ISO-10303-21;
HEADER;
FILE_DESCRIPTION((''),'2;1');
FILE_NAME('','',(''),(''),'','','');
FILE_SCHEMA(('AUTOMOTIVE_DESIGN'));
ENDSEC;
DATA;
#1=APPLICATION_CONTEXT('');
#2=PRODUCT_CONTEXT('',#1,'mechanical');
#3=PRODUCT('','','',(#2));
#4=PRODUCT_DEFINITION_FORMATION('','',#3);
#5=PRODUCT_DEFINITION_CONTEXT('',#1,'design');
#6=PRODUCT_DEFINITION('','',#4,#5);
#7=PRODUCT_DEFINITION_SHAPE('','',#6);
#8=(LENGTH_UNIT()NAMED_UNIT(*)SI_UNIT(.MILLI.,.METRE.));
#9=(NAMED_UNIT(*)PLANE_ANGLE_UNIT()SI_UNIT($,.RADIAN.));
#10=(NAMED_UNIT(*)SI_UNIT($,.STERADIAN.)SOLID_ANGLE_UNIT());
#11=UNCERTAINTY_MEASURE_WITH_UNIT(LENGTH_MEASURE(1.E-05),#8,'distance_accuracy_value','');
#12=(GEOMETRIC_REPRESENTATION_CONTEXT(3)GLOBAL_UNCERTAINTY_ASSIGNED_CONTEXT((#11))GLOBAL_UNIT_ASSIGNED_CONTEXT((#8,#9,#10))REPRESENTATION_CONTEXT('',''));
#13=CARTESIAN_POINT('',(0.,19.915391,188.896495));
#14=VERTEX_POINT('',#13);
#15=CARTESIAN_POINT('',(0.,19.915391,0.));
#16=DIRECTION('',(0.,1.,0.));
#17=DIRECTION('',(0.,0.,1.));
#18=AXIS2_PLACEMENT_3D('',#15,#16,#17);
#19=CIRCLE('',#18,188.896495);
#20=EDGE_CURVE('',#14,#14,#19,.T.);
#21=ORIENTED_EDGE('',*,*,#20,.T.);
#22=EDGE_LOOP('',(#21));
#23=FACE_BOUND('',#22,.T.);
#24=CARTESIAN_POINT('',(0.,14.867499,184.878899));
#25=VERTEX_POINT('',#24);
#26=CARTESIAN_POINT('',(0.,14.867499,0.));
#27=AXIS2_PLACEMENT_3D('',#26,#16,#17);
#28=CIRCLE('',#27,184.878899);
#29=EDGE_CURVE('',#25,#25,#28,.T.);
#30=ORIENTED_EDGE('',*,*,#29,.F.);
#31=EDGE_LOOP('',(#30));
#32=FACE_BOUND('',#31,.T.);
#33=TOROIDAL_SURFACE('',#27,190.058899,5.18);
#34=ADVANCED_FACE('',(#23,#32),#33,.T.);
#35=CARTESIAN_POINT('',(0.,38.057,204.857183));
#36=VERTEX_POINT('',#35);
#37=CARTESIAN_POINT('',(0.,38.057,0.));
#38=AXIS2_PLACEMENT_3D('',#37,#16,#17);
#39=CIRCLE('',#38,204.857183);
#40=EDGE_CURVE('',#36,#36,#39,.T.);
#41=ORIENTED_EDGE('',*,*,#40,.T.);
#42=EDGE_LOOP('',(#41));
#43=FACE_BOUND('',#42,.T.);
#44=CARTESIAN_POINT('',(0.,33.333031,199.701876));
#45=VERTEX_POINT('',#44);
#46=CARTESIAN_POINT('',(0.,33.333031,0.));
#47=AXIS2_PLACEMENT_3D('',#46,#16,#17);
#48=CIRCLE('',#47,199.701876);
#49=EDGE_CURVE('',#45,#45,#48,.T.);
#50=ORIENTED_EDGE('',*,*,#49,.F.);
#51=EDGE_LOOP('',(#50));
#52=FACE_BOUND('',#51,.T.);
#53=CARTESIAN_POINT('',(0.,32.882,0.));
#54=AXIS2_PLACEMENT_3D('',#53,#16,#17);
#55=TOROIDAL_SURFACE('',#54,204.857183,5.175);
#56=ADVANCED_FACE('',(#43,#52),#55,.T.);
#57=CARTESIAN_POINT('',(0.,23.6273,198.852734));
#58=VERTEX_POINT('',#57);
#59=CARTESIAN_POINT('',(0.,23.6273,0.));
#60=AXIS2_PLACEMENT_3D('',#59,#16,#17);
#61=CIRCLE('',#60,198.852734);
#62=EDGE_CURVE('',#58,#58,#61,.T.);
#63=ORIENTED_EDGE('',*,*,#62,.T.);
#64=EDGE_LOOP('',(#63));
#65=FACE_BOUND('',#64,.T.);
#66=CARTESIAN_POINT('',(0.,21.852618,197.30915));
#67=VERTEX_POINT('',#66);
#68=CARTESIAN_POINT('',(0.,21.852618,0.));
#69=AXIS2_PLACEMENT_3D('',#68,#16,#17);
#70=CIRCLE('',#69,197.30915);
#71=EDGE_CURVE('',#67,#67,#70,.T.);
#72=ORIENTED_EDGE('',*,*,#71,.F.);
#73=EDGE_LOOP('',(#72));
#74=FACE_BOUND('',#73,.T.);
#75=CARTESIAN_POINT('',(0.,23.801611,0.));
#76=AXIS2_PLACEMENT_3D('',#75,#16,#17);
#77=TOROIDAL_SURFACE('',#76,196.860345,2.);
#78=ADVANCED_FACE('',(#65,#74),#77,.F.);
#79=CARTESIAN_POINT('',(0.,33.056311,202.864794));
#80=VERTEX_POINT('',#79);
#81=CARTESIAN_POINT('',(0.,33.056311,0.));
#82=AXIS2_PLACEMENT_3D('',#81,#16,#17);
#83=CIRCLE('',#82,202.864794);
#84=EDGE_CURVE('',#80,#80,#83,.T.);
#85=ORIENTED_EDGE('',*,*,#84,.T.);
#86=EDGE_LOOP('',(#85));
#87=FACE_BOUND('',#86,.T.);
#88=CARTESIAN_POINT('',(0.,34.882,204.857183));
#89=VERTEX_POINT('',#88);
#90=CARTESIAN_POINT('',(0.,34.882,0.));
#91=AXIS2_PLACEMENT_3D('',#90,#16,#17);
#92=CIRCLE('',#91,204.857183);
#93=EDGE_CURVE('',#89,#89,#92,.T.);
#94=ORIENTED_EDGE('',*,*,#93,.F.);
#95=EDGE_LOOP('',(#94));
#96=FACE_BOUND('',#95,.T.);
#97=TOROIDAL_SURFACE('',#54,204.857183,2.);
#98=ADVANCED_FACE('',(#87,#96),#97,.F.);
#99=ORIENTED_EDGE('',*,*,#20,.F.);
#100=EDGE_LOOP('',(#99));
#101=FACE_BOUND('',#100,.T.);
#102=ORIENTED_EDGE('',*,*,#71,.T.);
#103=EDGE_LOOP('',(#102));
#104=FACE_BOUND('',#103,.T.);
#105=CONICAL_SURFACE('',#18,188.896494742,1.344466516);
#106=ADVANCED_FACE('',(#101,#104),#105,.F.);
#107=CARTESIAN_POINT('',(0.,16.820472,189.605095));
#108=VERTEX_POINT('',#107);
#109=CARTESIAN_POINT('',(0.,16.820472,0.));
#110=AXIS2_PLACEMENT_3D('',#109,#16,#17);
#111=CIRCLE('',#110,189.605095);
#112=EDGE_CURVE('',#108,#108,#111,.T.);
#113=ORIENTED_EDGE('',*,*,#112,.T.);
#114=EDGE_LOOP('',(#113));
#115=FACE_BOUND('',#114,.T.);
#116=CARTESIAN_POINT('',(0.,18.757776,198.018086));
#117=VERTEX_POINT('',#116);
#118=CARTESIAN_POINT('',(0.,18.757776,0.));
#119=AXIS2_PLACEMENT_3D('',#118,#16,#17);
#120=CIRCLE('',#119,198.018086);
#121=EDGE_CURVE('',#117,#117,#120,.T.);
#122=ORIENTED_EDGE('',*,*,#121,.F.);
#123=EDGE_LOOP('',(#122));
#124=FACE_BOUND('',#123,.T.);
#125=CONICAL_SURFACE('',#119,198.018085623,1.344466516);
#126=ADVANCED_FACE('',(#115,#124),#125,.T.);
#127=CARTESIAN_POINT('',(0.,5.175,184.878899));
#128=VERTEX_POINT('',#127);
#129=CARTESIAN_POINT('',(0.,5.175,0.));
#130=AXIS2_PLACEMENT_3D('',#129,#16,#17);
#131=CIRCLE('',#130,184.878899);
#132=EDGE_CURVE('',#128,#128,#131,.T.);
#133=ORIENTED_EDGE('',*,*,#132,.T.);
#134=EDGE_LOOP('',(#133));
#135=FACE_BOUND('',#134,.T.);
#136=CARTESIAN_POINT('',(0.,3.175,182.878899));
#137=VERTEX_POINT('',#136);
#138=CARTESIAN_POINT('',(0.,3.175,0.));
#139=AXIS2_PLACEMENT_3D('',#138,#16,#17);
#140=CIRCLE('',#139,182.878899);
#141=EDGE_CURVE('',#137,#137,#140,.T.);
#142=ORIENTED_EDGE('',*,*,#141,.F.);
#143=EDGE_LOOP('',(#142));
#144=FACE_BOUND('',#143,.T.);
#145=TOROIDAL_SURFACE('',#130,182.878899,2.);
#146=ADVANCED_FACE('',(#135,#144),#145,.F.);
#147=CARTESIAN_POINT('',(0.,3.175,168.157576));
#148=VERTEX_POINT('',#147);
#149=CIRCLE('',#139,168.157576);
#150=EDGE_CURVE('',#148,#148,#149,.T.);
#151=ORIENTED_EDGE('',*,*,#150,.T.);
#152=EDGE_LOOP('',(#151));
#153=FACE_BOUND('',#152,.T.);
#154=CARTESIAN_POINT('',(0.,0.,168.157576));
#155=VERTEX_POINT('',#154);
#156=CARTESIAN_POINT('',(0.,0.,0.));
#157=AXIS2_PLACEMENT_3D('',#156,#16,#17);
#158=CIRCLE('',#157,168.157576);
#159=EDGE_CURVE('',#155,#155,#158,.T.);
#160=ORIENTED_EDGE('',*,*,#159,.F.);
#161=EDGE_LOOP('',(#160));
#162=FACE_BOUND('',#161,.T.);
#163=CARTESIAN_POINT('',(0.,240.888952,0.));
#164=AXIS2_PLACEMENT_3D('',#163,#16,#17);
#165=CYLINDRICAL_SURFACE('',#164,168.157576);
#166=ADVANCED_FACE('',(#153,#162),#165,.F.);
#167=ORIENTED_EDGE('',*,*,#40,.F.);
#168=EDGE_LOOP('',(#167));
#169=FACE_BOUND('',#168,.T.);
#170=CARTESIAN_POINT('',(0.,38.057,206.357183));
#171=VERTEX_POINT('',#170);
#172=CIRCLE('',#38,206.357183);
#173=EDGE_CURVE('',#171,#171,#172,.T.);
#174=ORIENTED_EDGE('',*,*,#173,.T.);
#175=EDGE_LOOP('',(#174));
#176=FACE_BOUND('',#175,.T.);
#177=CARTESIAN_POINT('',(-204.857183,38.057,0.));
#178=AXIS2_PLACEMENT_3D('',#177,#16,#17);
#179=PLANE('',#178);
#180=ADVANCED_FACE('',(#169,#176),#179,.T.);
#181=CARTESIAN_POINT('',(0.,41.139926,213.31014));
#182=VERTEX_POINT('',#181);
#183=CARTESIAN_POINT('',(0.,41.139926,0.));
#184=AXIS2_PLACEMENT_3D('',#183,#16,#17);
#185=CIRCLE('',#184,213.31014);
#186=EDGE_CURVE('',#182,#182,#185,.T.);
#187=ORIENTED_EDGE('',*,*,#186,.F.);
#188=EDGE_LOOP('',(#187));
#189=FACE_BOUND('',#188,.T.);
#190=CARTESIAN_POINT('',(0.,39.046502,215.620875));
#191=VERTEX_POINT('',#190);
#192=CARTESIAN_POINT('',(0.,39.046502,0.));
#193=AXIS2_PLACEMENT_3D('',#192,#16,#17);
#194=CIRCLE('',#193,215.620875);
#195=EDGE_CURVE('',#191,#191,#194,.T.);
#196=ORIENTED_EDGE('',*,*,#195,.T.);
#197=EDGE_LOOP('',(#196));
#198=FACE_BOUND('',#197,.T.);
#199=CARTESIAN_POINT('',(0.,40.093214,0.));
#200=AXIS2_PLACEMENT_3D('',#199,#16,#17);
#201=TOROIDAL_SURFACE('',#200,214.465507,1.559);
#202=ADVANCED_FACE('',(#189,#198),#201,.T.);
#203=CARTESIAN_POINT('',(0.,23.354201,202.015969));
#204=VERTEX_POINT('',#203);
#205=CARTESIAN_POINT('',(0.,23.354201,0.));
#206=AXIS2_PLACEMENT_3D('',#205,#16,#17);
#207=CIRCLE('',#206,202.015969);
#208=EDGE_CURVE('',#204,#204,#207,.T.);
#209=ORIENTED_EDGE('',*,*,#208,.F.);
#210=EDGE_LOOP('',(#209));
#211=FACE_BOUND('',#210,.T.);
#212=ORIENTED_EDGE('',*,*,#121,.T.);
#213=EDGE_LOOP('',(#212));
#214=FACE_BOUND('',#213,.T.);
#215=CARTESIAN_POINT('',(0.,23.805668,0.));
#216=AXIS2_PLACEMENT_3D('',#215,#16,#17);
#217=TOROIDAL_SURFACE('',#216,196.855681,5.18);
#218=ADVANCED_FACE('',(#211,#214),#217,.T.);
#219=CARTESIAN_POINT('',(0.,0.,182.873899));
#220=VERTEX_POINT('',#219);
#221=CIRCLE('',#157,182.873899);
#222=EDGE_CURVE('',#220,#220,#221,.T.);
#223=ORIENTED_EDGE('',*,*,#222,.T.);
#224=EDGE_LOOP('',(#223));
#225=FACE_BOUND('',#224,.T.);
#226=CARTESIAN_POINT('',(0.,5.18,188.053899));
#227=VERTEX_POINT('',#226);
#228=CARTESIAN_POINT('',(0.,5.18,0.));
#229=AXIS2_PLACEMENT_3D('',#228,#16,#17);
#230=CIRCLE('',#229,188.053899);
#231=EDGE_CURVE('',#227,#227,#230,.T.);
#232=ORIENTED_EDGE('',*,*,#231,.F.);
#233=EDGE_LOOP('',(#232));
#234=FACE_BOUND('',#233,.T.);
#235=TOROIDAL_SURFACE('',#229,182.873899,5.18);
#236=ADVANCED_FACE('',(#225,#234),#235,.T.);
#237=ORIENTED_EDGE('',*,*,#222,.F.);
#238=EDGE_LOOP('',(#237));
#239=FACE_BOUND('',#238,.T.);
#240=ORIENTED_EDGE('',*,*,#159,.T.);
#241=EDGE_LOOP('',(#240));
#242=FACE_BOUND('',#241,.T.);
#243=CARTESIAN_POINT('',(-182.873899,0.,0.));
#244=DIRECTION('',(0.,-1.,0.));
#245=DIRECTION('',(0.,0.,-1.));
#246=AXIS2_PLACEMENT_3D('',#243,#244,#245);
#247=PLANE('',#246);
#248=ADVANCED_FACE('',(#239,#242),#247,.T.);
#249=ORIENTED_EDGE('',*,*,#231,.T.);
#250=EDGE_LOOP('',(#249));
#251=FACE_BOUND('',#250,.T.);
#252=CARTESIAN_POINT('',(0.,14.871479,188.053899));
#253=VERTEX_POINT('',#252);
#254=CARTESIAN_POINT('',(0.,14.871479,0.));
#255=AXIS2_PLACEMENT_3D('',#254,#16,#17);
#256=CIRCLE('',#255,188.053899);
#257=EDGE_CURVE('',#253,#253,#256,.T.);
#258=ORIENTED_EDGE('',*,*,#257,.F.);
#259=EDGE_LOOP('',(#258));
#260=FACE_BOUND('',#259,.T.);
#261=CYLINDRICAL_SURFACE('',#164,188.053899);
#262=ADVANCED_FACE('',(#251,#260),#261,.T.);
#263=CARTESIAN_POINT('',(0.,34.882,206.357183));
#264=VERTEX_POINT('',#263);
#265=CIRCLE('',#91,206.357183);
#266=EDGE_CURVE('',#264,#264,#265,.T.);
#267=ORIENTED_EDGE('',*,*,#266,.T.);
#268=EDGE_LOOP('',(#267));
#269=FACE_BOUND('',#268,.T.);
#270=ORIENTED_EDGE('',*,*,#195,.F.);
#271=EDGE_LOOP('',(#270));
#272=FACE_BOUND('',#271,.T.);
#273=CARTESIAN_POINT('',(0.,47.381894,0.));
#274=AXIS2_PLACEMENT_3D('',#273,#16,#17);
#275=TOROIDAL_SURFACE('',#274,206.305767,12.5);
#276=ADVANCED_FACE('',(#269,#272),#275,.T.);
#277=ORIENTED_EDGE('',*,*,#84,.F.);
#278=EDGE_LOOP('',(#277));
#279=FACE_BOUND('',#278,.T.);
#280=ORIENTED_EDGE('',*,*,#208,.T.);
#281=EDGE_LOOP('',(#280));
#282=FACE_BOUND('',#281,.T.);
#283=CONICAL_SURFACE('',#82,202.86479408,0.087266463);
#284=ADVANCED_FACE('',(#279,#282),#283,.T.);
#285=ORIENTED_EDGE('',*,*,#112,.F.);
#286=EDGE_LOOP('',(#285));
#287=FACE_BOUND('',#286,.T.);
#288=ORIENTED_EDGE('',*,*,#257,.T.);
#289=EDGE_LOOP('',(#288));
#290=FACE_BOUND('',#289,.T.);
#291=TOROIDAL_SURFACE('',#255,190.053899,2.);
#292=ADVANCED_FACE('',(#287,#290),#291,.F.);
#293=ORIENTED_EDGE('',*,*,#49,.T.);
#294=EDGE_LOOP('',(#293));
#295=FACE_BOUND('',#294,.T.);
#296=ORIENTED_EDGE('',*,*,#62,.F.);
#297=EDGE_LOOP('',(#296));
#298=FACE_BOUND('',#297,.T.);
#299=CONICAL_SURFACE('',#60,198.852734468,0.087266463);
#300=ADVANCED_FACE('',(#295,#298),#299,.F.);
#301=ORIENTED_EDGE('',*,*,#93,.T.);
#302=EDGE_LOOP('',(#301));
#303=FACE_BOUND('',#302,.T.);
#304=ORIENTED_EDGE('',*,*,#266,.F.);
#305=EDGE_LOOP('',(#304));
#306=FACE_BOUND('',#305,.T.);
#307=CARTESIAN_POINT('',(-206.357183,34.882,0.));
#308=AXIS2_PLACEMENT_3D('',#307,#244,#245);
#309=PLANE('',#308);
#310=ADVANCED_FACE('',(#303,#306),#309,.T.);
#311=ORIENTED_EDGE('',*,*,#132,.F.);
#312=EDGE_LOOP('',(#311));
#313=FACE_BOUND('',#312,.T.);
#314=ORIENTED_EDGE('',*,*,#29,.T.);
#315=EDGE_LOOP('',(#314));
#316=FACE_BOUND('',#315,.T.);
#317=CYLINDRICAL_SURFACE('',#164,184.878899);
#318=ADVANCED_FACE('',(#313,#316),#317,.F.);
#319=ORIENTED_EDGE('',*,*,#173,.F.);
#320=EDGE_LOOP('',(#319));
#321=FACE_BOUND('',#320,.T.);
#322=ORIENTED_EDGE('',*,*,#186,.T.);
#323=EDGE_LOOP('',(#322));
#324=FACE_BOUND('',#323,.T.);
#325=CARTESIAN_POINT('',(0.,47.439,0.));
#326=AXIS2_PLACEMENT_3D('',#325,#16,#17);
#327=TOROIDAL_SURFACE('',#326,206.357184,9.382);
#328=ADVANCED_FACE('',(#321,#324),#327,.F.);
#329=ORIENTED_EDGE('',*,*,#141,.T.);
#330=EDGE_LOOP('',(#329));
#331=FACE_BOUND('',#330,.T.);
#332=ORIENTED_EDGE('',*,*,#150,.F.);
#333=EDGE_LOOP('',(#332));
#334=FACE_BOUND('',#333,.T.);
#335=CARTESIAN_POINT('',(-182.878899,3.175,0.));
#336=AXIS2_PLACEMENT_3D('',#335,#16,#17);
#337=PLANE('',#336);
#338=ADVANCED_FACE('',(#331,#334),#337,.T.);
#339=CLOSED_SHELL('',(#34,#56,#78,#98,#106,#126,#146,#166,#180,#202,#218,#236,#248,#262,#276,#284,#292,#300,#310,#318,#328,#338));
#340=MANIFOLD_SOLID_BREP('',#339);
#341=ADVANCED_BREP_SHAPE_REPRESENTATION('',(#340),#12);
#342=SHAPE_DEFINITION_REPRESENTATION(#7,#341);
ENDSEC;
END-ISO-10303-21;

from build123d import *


with BuildPart() as part:
    # Sketch3 → Revolve2 (revolve)
    with BuildSketch(Plane.XY):
        with BuildLine():
            Line((-202.86479408, 33.056311154), (-202.015969434, 23.354201055))
            ThreePointArc((-202.015969434, 23.354201055), (-200.764119737, 20.406181688), (-198.018085623, 18.757775643))
            Line((-198.018085623, 18.757775643), (-189.605094554, 16.820471861))
            ThreePointArc((-189.605094554, 16.820471861), (-188.489033686, 16.116948575), (-188.053899467, 14.871478749))
            Line((-188.053899467, 14.871478749), (-188.053899467, 5.18))
            ThreePointArc((-188.053899467, 5.18), (-186.536712594, 1.517186873), (-182.873899467, 0))
            Line((-182.873899467, 0), (-168.157575681, 0))
            Line((-168.157575681, 0), (-168.157575681, 3.175))
            Line((-168.157575681, 3.175), (-182.878899467, 3.175))
            ThreePointArc((-182.878899467, 3.175), (-184.293113029, 3.760786438), (-184.878899467, 5.175))
            Line((-184.878899467, 5.175), (-184.878899467, 14.867499271))
            ThreePointArc((-184.878899467, 14.867499271), (-186.005897094, 18.09326612), (-188.896494742, 19.915391431))
            Line((-188.896494742, 19.915391431), (-197.309149985, 21.85261788))
            ThreePointArc((-197.309149985, 21.85261788), (-198.369394817, 22.489068091), (-198.852734468, 23.627299506))
            Line((-198.852734468, 23.627299506), (-199.701875913, 33.333030637))
            ThreePointArc((-199.701875913, 33.333030637), (-201.361004152, 36.697409886), (-204.857183476, 38.056999668))
            Line((-204.857183476, 38.056999668), (-206.357183499, 38.056999668))
            ThreePointArc((-206.357183499, 38.056999668), (-210.16007843, 38.862291983), (-213.310139829, 41.139926446))
            ThreePointArc((-213.310139829, 41.139926446), (-215.512219763, 41.2485817), (-215.620875017, 39.046501766))
            ThreePointArc((-215.620875017, 39.046501766), (-211.431068422, 35.980960403), (-206.357183476, 34.881999668))
            Line((-206.357183476, 34.881999668), (-204.857183476, 34.881999668))
            ThreePointArc((-204.857183476, 34.881999668), (-203.506003061, 34.356554342), (-202.86479408, 33.056311154))
        make_face()
    revolve(axis=Axis((0, 240.888952165, 0), (0, -1, 0)))


solid = part.part
